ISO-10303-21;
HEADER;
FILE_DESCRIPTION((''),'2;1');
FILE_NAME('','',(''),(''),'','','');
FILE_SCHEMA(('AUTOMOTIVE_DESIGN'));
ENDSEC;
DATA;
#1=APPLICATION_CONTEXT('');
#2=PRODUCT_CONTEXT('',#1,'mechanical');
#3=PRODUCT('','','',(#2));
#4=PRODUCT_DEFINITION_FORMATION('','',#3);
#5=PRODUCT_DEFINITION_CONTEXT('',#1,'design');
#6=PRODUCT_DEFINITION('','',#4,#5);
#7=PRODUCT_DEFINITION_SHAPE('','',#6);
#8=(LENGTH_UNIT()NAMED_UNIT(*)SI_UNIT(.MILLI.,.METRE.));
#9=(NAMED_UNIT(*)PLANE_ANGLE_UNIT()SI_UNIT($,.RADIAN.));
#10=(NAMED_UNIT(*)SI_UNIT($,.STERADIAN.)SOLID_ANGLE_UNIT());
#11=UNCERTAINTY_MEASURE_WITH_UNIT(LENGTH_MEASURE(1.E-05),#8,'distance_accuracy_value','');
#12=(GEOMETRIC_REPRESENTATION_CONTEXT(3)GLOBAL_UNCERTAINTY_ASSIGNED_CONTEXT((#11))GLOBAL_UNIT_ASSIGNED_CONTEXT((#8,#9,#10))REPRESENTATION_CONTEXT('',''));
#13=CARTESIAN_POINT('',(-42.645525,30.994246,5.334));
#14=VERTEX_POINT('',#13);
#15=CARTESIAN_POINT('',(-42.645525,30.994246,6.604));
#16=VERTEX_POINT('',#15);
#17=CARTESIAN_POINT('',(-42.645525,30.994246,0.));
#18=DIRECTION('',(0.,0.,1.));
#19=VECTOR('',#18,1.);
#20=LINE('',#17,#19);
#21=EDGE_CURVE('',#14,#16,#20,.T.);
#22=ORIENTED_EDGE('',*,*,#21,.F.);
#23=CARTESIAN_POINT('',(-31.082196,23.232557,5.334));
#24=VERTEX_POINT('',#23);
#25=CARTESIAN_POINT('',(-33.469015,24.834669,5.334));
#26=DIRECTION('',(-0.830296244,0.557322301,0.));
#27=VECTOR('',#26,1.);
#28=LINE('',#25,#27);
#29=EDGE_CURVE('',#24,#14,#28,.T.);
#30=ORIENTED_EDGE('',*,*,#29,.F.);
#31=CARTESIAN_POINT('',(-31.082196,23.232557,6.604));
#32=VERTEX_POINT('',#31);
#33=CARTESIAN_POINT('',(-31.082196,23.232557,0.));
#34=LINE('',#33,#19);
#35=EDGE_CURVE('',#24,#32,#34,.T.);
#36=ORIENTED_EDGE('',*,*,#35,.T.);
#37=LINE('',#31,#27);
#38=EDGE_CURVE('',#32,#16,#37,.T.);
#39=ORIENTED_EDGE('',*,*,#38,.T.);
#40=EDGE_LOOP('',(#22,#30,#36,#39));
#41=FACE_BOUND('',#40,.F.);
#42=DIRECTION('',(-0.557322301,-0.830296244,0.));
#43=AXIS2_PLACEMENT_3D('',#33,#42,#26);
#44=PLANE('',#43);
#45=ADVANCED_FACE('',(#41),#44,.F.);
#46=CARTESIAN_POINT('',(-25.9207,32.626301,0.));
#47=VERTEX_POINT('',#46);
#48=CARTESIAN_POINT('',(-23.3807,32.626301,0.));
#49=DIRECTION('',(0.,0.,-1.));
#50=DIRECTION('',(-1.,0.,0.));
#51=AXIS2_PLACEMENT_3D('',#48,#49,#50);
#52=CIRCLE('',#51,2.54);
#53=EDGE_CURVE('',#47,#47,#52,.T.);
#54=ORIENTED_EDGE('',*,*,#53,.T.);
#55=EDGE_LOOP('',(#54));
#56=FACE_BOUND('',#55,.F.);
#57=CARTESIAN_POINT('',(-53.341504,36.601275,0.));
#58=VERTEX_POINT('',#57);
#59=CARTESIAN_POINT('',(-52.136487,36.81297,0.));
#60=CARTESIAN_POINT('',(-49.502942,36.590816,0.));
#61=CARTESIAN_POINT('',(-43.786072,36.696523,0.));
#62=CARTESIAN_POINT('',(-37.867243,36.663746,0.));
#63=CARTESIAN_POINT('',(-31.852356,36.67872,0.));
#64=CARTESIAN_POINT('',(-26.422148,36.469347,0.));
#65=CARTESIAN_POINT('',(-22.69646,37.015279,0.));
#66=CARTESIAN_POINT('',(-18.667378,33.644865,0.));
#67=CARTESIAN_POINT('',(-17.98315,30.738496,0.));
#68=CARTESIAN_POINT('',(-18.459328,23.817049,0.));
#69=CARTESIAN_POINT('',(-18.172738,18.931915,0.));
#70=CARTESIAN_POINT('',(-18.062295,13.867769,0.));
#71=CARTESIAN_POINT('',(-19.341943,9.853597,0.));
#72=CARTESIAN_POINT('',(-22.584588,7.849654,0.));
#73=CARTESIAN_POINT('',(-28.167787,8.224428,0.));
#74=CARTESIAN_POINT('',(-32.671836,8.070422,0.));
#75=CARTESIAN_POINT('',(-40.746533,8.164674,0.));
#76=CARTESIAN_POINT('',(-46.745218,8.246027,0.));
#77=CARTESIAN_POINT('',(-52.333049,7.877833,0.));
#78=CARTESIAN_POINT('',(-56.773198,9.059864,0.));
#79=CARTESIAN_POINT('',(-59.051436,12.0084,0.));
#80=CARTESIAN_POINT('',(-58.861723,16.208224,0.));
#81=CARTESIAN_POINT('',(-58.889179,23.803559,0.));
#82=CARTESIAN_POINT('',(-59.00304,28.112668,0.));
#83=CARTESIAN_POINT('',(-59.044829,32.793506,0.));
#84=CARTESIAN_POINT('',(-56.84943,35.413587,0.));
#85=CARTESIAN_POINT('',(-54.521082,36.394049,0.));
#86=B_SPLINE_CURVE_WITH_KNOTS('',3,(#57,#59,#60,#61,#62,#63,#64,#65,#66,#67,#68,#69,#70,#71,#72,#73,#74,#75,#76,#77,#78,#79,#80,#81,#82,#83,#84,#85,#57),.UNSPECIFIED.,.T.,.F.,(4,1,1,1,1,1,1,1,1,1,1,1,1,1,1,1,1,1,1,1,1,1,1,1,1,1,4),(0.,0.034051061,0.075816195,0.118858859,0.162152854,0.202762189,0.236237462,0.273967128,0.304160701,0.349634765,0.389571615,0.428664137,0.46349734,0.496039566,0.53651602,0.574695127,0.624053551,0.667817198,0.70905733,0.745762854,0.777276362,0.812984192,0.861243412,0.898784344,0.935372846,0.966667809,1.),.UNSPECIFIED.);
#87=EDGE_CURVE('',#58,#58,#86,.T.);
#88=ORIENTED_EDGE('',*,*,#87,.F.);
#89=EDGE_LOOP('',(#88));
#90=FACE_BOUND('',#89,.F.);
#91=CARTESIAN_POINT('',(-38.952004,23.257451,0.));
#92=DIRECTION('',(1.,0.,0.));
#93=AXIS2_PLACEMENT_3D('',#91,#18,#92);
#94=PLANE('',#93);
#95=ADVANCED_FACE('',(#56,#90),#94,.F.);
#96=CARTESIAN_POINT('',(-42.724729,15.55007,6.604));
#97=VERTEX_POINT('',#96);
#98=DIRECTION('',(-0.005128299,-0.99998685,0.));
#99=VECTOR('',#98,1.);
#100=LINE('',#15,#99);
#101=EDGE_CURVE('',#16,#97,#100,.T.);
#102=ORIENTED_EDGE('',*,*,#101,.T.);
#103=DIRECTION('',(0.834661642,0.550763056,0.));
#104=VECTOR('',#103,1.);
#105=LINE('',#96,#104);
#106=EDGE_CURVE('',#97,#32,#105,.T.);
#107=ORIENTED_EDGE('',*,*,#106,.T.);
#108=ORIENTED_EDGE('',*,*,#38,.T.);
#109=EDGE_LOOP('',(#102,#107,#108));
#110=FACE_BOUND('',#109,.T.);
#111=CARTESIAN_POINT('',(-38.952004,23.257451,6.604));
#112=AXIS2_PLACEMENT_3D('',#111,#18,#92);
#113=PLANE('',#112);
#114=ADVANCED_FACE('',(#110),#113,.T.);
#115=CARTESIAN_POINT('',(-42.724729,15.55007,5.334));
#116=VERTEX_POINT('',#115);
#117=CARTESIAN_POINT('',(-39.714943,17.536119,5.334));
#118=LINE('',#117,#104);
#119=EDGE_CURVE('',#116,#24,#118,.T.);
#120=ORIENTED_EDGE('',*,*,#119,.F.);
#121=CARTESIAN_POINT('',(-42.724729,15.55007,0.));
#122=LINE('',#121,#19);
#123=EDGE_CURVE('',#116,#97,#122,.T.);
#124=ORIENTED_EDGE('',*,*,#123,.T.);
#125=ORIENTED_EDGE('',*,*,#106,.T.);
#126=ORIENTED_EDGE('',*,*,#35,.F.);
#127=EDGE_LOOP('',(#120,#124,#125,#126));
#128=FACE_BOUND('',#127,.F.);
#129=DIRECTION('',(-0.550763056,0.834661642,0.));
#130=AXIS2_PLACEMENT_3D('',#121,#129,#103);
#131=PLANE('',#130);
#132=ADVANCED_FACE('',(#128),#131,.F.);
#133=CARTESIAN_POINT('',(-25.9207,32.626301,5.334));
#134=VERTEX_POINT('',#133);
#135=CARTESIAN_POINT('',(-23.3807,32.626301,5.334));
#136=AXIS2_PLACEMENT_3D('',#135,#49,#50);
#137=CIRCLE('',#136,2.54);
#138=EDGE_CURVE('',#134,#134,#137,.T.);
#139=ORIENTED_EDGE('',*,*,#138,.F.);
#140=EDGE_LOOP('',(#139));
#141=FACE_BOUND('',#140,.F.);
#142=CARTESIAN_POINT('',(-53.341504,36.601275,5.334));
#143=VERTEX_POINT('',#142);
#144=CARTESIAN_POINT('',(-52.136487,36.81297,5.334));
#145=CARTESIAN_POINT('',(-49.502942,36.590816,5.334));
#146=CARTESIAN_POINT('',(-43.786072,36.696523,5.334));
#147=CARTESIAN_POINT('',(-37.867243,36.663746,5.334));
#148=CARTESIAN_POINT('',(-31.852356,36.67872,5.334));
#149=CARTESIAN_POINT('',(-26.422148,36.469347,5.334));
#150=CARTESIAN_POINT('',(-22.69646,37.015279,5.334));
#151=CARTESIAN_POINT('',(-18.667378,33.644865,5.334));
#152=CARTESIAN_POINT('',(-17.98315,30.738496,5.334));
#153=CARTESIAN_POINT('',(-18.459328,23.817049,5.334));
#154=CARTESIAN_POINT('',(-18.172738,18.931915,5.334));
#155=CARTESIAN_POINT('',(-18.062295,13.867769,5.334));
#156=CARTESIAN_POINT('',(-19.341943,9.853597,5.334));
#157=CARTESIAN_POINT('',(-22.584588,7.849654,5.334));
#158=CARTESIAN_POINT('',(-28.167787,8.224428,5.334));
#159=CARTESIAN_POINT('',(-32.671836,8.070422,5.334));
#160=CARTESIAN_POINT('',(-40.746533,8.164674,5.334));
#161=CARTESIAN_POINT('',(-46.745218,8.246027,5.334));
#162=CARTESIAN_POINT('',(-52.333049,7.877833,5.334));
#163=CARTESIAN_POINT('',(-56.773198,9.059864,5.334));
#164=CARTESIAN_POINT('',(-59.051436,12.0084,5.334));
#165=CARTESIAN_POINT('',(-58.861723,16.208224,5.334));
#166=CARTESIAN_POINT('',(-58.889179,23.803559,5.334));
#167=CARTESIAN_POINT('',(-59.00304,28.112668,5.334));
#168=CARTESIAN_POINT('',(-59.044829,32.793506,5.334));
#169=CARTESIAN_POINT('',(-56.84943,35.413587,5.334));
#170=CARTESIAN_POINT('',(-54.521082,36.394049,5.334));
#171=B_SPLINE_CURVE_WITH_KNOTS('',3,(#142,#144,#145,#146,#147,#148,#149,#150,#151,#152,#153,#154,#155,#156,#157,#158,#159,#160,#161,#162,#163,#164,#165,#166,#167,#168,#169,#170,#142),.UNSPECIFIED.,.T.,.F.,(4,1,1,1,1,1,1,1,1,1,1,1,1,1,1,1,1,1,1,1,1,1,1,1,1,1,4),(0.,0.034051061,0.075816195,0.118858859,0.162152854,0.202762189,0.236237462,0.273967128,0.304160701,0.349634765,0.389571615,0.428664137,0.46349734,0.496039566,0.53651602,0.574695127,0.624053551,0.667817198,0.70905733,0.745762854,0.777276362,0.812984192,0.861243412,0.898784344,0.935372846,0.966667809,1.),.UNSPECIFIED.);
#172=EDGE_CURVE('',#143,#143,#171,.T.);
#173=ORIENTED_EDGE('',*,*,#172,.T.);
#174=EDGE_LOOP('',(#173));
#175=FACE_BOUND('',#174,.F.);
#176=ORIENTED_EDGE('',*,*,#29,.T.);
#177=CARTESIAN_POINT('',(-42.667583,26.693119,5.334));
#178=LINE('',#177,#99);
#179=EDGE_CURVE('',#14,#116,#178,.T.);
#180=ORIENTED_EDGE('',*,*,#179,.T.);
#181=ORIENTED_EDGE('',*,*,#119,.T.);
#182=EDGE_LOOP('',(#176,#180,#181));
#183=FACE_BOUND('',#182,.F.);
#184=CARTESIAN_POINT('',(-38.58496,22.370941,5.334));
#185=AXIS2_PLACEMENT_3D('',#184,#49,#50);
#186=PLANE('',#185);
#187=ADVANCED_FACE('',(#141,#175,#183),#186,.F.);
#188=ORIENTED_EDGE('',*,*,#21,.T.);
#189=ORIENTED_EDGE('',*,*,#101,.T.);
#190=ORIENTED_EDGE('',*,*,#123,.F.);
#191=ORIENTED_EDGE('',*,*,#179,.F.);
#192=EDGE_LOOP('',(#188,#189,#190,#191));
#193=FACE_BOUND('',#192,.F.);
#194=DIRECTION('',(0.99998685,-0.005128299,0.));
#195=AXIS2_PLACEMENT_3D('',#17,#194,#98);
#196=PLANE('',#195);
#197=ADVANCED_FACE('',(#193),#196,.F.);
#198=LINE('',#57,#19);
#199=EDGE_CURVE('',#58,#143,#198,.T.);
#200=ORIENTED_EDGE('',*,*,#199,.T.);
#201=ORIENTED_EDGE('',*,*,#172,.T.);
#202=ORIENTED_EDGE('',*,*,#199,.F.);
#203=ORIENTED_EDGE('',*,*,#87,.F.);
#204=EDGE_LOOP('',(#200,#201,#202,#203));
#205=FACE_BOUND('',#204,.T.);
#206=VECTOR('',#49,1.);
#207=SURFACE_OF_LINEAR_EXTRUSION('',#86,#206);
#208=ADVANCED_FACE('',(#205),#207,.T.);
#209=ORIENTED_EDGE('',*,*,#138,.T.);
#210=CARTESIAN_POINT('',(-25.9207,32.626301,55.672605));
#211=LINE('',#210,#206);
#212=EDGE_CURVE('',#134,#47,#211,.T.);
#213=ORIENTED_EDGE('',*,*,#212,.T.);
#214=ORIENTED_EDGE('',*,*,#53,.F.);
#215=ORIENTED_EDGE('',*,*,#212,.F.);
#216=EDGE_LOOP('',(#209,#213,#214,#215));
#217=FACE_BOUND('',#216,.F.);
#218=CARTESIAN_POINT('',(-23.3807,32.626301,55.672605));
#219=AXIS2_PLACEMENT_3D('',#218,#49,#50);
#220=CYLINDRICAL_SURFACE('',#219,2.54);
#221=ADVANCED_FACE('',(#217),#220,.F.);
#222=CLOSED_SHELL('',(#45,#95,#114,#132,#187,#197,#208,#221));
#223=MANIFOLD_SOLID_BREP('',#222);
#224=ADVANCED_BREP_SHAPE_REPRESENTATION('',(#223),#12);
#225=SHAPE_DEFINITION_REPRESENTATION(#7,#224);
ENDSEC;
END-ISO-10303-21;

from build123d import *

# Parameters (mm, degrees)
F2_DEPTH = 5.334
F3_DEPTH = 6.604
F5_D     = 5.08


with BuildPart() as f2:
    # F0 (on Top) → F2 (new body)
    with BuildSketch(Plane.XY):
        with BuildLine():
            add(Edge.make_bspline(
                [(-53.3415041864, 36.6012752056), (-52.1364867779, 36.8129704951), (-49.5029419951, 36.5908155972), (-43.7860719074, 36.6965233509), (-37.8672433567, 36.6637460657), (-31.8523555934, 36.6787203282), (-26.4221483424, 36.469347093), (-22.6964602871, 37.0152793928), (-18.6673782644, 33.6448654095), (-17.9831495308, 30.7384956964), (-18.4593282656, 23.8170486276), (-18.1727376202, 18.9319152827), (-18.0622951258, 13.8677690235), (-19.341943296, 9.8535972732), (-22.584588167, 7.8496536835), (-28.1677872695, 8.2244280238), (-32.6718361262, 8.0704220928), (-40.746532562, 8.1646740199), (-46.7452184587, 8.246026764), (-52.3330493652, 7.8778330562), (-56.7731983651, 9.0598644944), (-59.0514358958, 12.0083995822), (-58.8617229425, 16.2082236612), (-58.8891788464, 23.8035586734), (-59.0030403826, 28.1126676165), (-59.0448293786, 32.7935064232), (-56.8494297468, 35.4135868644), (-54.5210818438, 36.3940491259), (-53.3415041864, 36.6012752056)],
                knots=[0, 0, 0, 0, 0.0340510607, 0.0758161954, 0.1188588592, 0.1621528536, 0.2027621887, 0.2362374625, 0.2739671283, 0.3041607008, 0.3496347654, 0.3895716146, 0.4286641366, 0.4634973402, 0.4960395661, 0.5365160197, 0.5746951267, 0.6240535508, 0.667817198, 0.7090573296, 0.7457628544, 0.7772763624, 0.8129841923, 0.8612434116, 0.8987843443, 0.9353728465, 0.966667809, 1, 1, 1, 1], degree=3))
        make_face()
    extrude(amount=F2_DEPTH)

    # F1 (on face) → F3 (join)
    with BuildSketch(Plane.XY):
        Polygon((-31.0821961612, 23.2325568795), (-42.6455251873, 30.9942457825), (-42.7247285843, 15.5500704423), align=None)
    extrude(amount=F3_DEPTH)

    # F5 (through all)
    with Locations(Plane.XY.offset(5.334)):
        with Locations((-23.3807004988, 32.6263010502)):
            Hole(F5_D / 2)


solid = f2.part
